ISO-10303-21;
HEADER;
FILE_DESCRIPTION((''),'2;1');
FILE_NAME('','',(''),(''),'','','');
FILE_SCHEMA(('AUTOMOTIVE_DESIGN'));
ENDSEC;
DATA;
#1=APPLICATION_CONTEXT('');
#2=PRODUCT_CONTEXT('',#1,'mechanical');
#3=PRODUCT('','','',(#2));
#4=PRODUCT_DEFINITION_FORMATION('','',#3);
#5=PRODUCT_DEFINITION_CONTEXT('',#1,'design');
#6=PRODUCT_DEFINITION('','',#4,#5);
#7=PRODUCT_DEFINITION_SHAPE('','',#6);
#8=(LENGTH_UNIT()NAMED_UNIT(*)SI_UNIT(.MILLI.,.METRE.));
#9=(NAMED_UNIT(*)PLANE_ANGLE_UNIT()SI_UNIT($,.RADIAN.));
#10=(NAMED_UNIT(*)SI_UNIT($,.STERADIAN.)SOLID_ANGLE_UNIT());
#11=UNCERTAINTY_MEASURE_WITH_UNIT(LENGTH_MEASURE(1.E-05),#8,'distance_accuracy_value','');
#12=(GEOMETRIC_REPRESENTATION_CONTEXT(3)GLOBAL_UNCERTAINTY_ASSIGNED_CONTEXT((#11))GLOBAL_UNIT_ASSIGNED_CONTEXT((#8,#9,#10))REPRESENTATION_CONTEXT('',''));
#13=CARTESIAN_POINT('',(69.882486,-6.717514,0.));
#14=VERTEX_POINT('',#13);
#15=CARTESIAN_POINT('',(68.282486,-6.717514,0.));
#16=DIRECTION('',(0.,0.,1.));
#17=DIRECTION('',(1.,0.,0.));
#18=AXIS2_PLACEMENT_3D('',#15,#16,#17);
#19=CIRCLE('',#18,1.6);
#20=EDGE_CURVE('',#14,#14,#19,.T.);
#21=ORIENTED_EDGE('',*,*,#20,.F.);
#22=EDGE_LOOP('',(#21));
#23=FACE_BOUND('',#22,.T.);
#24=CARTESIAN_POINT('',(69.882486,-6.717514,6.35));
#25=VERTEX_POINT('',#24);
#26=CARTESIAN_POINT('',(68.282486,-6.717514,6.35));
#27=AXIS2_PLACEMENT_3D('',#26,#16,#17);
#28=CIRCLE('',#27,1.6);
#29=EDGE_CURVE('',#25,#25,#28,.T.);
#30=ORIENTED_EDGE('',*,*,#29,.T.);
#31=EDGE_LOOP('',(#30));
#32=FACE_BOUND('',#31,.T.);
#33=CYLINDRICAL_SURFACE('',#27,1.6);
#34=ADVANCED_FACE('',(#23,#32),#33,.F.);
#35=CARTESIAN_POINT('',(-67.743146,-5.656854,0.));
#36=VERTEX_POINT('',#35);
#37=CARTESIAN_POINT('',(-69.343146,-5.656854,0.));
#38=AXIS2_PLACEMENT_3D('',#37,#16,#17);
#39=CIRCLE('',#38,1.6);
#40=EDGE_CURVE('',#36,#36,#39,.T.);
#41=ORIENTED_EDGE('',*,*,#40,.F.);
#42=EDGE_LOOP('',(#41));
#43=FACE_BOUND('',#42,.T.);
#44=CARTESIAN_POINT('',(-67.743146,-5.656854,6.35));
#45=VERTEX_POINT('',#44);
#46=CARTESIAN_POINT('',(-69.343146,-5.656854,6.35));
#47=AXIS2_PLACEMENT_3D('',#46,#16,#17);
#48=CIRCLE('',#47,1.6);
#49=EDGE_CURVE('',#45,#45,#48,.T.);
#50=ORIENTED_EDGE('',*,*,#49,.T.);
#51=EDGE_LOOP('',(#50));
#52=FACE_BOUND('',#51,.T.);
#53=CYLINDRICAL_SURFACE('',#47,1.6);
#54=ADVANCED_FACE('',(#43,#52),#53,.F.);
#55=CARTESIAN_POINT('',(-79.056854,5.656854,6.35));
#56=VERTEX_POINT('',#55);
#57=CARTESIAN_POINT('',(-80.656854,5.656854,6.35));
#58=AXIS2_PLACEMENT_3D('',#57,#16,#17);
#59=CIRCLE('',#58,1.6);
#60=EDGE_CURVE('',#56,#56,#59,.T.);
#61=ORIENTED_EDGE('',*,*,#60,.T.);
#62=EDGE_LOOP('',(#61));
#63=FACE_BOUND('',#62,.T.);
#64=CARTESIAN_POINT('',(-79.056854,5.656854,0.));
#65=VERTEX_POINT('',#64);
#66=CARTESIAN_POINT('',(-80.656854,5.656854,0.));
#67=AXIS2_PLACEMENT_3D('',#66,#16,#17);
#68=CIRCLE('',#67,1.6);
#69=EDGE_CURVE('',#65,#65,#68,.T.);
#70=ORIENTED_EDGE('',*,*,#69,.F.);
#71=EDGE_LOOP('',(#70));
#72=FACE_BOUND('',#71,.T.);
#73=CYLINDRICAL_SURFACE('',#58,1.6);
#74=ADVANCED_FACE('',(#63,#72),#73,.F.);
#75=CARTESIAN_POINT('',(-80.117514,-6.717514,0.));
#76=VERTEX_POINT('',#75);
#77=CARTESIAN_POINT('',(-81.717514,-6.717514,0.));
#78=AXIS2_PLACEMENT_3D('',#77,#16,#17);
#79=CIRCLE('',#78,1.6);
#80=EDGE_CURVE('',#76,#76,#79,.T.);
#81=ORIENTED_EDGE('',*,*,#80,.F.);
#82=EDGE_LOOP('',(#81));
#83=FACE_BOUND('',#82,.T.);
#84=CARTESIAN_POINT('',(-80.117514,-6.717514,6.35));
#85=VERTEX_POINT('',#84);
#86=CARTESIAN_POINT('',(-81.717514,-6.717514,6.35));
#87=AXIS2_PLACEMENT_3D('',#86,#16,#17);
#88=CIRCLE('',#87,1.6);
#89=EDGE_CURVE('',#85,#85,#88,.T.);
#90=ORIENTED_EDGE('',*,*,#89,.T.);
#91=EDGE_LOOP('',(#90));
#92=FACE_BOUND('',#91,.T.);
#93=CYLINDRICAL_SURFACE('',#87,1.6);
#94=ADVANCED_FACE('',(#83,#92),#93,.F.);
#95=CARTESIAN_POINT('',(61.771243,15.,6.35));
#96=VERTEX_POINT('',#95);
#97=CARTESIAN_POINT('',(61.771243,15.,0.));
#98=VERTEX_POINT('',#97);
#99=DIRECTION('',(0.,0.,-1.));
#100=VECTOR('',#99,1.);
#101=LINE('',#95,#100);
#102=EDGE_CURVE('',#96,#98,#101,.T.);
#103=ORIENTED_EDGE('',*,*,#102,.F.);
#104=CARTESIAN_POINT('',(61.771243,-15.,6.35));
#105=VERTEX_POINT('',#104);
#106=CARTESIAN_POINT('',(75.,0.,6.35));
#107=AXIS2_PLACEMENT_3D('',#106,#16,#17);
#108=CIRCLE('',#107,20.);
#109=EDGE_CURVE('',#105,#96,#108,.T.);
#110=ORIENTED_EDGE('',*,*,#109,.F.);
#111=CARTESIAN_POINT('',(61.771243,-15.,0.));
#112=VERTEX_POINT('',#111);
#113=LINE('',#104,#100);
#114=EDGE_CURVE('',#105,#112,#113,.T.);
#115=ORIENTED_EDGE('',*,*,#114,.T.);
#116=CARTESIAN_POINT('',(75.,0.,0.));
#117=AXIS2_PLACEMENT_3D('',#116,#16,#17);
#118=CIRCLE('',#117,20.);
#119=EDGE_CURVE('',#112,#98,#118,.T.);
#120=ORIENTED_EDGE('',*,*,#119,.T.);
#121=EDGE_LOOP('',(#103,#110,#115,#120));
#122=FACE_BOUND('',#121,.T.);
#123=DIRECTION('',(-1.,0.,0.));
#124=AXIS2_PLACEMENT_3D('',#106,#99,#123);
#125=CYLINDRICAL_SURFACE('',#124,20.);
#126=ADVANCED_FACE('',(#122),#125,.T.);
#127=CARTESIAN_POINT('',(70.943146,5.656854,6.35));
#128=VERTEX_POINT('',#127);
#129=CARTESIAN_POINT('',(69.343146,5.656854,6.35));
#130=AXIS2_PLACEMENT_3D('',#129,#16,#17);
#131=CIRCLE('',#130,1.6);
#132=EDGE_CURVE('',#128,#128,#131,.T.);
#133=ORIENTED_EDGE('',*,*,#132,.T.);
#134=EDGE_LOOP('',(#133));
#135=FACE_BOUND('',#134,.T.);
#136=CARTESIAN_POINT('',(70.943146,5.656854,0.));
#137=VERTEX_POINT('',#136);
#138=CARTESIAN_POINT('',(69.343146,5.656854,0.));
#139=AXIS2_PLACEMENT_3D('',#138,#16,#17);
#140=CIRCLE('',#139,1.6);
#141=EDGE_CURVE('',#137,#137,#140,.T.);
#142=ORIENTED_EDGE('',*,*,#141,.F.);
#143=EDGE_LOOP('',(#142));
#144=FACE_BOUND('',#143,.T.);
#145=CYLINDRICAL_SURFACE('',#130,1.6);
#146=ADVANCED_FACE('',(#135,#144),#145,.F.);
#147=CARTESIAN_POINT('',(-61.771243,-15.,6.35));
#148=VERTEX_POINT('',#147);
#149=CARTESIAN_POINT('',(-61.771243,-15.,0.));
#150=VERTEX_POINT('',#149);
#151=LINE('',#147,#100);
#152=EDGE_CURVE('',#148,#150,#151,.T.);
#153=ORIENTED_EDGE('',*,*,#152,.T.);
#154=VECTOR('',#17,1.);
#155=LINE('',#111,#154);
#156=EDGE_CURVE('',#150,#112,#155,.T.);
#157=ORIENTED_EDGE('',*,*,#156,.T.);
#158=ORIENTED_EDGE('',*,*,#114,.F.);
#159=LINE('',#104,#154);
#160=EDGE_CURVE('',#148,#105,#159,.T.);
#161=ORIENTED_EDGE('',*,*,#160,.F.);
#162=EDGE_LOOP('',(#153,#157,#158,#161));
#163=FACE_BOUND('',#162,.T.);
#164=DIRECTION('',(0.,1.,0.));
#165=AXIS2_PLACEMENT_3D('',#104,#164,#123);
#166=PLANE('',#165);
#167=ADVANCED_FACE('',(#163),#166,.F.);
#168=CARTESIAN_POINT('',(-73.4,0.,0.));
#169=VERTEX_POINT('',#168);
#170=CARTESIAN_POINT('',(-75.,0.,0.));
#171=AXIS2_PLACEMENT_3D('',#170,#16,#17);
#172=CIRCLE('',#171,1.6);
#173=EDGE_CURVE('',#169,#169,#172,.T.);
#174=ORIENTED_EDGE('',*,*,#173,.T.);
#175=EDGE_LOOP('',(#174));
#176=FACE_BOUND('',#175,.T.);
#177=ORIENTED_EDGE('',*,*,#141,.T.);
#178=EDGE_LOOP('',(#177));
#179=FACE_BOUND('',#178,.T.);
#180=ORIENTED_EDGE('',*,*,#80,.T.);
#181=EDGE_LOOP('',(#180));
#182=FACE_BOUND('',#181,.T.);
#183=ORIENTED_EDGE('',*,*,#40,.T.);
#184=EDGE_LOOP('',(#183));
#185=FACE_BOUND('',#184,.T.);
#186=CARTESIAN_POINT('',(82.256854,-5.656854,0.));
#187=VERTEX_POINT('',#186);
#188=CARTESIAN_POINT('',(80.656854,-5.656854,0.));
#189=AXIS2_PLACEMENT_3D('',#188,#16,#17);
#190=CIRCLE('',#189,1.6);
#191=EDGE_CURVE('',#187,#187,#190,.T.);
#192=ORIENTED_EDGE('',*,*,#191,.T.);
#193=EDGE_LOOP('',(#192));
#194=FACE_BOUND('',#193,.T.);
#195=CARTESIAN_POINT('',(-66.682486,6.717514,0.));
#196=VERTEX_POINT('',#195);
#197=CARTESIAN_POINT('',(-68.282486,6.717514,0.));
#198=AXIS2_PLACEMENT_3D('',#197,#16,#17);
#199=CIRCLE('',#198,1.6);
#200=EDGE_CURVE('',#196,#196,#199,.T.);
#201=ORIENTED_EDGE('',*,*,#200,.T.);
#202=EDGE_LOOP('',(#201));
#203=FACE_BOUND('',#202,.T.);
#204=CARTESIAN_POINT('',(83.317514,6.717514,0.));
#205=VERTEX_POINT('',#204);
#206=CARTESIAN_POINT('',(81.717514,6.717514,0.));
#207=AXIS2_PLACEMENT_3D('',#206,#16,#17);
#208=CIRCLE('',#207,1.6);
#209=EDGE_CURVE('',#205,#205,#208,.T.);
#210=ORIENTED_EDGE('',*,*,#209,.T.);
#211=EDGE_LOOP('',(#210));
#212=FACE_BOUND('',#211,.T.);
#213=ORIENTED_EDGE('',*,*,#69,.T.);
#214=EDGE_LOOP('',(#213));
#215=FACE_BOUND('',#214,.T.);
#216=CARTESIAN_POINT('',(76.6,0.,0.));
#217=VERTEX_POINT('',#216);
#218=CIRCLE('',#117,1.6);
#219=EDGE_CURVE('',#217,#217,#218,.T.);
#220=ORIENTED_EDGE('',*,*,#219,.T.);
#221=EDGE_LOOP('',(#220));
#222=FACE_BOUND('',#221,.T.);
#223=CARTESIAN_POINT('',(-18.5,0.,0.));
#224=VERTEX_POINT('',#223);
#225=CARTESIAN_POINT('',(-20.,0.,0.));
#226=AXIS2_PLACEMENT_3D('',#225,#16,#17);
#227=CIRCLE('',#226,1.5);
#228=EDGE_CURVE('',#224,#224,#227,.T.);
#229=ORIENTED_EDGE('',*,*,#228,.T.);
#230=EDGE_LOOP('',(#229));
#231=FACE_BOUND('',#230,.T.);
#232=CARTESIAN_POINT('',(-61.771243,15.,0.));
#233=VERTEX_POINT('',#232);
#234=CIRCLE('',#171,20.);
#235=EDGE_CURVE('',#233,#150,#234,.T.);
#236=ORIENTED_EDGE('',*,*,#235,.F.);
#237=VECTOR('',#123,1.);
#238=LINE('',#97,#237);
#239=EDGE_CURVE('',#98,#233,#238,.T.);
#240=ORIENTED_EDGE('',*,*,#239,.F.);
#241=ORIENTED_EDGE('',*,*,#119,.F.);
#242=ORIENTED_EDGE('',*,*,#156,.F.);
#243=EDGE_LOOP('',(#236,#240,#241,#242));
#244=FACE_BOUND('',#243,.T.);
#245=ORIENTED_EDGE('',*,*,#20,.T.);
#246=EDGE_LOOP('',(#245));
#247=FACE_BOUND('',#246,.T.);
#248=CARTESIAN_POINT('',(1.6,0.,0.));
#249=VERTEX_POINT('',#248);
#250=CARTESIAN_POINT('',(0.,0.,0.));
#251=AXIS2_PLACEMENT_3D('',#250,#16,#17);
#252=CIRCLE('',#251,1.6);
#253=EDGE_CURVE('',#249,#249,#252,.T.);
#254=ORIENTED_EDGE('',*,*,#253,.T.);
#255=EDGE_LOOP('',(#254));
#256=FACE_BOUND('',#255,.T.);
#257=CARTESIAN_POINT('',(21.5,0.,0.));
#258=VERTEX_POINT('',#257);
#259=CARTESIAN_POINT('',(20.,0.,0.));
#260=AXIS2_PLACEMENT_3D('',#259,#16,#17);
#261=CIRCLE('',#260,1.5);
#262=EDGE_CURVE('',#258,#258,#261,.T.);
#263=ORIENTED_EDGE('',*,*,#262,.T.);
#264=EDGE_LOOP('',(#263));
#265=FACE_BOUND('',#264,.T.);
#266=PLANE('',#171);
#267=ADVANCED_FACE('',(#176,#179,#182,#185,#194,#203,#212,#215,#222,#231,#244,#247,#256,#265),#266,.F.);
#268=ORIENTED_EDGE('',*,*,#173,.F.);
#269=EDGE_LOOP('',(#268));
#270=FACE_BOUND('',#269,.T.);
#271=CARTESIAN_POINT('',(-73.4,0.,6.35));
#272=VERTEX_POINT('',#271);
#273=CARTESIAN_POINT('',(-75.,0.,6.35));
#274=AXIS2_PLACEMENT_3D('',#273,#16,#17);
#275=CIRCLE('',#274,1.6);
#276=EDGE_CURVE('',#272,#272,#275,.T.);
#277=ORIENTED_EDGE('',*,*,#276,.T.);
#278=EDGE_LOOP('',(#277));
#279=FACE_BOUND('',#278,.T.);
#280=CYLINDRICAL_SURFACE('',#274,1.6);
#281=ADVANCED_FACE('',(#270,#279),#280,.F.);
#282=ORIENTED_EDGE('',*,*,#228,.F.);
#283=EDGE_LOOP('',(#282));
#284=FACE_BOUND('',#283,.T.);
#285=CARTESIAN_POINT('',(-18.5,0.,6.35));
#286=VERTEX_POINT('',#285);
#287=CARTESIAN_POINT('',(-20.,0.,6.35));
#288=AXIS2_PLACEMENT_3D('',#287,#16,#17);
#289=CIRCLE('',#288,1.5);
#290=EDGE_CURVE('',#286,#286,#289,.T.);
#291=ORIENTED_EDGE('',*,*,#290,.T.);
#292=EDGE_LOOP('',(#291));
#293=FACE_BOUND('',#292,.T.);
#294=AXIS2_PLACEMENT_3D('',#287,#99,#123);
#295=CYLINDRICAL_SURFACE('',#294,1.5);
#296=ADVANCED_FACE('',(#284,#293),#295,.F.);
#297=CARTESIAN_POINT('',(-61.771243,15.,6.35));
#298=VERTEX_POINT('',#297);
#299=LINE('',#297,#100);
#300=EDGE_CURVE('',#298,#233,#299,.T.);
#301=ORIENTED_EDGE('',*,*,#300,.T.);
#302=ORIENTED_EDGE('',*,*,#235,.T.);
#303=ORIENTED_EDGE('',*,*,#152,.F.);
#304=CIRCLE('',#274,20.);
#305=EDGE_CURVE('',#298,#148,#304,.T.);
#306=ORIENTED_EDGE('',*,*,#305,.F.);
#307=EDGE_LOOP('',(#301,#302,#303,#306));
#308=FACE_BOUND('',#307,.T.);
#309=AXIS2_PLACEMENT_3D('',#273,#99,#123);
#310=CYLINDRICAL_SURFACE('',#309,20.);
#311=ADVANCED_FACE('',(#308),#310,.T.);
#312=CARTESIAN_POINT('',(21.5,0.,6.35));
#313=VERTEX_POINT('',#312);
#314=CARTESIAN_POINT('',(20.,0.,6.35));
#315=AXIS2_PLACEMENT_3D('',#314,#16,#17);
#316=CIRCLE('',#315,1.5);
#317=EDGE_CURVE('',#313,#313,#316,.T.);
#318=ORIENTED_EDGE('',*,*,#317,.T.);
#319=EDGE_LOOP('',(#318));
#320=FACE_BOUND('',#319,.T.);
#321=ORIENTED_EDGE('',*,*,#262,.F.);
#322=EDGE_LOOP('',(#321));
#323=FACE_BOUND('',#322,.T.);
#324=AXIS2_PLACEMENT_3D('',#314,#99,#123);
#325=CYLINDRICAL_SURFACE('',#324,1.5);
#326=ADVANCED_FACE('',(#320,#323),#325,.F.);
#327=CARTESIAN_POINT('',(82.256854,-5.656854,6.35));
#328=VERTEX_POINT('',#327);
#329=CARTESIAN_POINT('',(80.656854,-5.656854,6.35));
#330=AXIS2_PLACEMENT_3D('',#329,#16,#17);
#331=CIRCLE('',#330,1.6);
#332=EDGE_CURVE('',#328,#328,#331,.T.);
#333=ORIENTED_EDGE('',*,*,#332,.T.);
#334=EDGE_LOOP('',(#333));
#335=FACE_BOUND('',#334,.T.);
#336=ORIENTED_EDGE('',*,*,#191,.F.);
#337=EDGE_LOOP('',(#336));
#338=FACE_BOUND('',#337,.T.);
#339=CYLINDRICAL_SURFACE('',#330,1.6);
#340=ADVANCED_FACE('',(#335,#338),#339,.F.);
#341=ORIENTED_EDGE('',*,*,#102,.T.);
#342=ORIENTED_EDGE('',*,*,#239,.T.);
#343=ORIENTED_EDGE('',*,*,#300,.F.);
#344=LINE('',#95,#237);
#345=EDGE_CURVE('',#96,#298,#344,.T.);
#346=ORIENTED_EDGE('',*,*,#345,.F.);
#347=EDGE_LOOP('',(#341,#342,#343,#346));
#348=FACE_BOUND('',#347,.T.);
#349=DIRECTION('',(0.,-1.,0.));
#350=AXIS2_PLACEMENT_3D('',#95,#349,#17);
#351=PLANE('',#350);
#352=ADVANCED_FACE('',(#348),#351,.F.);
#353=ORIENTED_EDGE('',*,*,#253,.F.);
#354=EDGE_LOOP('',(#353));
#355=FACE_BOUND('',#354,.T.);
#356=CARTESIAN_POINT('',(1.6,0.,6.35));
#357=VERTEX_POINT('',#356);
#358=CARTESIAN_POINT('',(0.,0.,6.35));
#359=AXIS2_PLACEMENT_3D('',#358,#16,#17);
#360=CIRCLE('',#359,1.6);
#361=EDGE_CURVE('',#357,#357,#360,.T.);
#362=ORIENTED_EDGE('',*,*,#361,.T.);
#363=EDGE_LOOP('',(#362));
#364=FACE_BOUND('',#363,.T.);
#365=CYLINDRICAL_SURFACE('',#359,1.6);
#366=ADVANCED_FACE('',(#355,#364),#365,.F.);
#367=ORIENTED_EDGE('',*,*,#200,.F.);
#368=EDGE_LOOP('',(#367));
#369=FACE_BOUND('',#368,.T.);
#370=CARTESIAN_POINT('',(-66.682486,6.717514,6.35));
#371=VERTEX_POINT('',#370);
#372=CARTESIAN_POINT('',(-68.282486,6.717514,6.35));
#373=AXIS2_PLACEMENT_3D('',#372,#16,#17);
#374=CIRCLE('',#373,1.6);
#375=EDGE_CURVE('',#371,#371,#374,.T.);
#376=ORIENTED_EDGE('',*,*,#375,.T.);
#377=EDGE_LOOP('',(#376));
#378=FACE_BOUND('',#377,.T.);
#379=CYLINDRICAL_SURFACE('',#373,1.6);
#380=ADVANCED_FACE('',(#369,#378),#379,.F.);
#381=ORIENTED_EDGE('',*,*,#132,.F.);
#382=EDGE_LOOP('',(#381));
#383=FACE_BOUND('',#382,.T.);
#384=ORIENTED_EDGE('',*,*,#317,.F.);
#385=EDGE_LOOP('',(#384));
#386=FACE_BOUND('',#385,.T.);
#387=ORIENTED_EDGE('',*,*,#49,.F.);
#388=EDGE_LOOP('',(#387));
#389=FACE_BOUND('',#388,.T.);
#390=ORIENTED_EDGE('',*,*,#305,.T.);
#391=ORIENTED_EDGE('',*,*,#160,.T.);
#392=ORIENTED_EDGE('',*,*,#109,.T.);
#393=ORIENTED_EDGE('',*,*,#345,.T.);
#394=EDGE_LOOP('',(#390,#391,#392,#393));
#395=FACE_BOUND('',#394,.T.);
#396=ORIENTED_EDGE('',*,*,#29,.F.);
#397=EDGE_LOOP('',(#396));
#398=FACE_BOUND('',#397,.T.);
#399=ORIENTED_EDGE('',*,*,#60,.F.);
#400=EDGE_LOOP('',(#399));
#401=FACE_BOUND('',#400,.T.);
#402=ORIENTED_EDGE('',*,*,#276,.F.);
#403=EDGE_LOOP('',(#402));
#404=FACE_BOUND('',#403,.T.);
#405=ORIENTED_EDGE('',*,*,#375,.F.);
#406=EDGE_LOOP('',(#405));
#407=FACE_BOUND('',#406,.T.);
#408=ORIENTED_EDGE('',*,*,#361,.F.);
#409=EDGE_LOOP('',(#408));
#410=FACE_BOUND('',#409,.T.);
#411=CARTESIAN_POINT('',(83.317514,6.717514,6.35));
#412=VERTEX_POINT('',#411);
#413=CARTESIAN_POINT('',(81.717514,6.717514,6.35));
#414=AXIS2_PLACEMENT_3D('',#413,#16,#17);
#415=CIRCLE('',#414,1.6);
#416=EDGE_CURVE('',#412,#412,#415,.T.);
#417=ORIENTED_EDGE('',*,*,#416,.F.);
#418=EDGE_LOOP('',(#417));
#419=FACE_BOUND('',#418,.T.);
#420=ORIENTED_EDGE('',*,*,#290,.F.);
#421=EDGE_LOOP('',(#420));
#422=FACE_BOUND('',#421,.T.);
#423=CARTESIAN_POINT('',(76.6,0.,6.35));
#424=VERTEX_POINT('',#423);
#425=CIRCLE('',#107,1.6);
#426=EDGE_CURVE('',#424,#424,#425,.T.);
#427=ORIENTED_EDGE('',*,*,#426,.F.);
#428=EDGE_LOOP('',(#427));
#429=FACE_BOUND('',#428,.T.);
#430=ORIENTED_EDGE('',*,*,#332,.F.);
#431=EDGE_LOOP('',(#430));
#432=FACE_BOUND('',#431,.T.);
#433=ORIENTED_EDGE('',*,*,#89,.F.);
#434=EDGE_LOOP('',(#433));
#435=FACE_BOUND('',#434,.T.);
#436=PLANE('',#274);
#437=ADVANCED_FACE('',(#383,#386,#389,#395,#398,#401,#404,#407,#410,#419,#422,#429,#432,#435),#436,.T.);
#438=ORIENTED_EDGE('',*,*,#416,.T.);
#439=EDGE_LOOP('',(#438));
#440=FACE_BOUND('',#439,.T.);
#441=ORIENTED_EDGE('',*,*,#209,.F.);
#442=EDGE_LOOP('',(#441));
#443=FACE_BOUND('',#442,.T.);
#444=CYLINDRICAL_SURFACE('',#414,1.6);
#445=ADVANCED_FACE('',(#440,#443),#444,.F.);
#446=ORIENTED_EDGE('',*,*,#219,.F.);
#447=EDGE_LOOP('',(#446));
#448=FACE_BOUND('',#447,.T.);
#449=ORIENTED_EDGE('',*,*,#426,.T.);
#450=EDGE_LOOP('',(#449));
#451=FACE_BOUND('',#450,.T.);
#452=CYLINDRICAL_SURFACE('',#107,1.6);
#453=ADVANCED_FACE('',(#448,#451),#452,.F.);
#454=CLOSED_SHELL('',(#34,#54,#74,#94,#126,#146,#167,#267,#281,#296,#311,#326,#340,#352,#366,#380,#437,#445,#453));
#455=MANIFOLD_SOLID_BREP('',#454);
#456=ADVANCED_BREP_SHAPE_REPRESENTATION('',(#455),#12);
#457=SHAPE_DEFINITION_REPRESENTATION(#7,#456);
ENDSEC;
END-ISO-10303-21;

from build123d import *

# Parameters (mm, degrees)
SKETCH3_R                = 1.5
BOSS_EXTRUDE1_DEPTH      = 6.35
M3_CLEARANCE_HOLE1_D     = 3.2
M3_CLEARANCE_HOLE1_DEPTH = 7.5
M3_CLEARANCE_HOLE1_TIP   = 0.96137699


with BuildPart() as part:
    # Sketch3 → Boss-Extrude1 (new body)
    with BuildSketch(Plane.XY):
        with BuildLine():
            Line((61.771243445, -15), (-61.771243445, -15))
            ThreePointArc((-61.771243445, -15), (-95, 0), (-61.771243445, 15))
            Line((-61.771243445, 15), (61.771243445, 15))
            ThreePointArc((61.771243445, 15), (95, 0), (61.771243445, -15))
        make_face()
        with Locations((-20, 0)):
            Circle(SKETCH3_R, mode=Mode.SUBTRACT)
        with Locations((20, 0)):
            Circle(SKETCH3_R, mode=Mode.SUBTRACT)
    extrude(amount=BOSS_EXTRUDE1_DEPTH)

    # M3 Clearance Hole1
    with Locations(Plane.XY.offset(6.35)):
        with Locations((75, 0), (-75, 0), (-81.717514421, -6.717514421), (-69.343145751, -5.656854249), (-68.282485579, 6.717514421), (-80.656854249, 5.656854249), (0, 0), (81.717514421, 6.717514421), (69.343145751, 5.656854249), (68.282485579, -6.717514421), (80.656854249, -5.656854249)):
            Hole(M3_CLEARANCE_HOLE1_D / 2, depth=M3_CLEARANCE_HOLE1_DEPTH)
            with Locations((0, 0, -(M3_CLEARANCE_HOLE1_DEPTH + M3_CLEARANCE_HOLE1_TIP / 2))):  # 118° drill point
                Cone(0, M3_CLEARANCE_HOLE1_D / 2, M3_CLEARANCE_HOLE1_TIP, mode=Mode.SUBTRACT)


solid = part.part
